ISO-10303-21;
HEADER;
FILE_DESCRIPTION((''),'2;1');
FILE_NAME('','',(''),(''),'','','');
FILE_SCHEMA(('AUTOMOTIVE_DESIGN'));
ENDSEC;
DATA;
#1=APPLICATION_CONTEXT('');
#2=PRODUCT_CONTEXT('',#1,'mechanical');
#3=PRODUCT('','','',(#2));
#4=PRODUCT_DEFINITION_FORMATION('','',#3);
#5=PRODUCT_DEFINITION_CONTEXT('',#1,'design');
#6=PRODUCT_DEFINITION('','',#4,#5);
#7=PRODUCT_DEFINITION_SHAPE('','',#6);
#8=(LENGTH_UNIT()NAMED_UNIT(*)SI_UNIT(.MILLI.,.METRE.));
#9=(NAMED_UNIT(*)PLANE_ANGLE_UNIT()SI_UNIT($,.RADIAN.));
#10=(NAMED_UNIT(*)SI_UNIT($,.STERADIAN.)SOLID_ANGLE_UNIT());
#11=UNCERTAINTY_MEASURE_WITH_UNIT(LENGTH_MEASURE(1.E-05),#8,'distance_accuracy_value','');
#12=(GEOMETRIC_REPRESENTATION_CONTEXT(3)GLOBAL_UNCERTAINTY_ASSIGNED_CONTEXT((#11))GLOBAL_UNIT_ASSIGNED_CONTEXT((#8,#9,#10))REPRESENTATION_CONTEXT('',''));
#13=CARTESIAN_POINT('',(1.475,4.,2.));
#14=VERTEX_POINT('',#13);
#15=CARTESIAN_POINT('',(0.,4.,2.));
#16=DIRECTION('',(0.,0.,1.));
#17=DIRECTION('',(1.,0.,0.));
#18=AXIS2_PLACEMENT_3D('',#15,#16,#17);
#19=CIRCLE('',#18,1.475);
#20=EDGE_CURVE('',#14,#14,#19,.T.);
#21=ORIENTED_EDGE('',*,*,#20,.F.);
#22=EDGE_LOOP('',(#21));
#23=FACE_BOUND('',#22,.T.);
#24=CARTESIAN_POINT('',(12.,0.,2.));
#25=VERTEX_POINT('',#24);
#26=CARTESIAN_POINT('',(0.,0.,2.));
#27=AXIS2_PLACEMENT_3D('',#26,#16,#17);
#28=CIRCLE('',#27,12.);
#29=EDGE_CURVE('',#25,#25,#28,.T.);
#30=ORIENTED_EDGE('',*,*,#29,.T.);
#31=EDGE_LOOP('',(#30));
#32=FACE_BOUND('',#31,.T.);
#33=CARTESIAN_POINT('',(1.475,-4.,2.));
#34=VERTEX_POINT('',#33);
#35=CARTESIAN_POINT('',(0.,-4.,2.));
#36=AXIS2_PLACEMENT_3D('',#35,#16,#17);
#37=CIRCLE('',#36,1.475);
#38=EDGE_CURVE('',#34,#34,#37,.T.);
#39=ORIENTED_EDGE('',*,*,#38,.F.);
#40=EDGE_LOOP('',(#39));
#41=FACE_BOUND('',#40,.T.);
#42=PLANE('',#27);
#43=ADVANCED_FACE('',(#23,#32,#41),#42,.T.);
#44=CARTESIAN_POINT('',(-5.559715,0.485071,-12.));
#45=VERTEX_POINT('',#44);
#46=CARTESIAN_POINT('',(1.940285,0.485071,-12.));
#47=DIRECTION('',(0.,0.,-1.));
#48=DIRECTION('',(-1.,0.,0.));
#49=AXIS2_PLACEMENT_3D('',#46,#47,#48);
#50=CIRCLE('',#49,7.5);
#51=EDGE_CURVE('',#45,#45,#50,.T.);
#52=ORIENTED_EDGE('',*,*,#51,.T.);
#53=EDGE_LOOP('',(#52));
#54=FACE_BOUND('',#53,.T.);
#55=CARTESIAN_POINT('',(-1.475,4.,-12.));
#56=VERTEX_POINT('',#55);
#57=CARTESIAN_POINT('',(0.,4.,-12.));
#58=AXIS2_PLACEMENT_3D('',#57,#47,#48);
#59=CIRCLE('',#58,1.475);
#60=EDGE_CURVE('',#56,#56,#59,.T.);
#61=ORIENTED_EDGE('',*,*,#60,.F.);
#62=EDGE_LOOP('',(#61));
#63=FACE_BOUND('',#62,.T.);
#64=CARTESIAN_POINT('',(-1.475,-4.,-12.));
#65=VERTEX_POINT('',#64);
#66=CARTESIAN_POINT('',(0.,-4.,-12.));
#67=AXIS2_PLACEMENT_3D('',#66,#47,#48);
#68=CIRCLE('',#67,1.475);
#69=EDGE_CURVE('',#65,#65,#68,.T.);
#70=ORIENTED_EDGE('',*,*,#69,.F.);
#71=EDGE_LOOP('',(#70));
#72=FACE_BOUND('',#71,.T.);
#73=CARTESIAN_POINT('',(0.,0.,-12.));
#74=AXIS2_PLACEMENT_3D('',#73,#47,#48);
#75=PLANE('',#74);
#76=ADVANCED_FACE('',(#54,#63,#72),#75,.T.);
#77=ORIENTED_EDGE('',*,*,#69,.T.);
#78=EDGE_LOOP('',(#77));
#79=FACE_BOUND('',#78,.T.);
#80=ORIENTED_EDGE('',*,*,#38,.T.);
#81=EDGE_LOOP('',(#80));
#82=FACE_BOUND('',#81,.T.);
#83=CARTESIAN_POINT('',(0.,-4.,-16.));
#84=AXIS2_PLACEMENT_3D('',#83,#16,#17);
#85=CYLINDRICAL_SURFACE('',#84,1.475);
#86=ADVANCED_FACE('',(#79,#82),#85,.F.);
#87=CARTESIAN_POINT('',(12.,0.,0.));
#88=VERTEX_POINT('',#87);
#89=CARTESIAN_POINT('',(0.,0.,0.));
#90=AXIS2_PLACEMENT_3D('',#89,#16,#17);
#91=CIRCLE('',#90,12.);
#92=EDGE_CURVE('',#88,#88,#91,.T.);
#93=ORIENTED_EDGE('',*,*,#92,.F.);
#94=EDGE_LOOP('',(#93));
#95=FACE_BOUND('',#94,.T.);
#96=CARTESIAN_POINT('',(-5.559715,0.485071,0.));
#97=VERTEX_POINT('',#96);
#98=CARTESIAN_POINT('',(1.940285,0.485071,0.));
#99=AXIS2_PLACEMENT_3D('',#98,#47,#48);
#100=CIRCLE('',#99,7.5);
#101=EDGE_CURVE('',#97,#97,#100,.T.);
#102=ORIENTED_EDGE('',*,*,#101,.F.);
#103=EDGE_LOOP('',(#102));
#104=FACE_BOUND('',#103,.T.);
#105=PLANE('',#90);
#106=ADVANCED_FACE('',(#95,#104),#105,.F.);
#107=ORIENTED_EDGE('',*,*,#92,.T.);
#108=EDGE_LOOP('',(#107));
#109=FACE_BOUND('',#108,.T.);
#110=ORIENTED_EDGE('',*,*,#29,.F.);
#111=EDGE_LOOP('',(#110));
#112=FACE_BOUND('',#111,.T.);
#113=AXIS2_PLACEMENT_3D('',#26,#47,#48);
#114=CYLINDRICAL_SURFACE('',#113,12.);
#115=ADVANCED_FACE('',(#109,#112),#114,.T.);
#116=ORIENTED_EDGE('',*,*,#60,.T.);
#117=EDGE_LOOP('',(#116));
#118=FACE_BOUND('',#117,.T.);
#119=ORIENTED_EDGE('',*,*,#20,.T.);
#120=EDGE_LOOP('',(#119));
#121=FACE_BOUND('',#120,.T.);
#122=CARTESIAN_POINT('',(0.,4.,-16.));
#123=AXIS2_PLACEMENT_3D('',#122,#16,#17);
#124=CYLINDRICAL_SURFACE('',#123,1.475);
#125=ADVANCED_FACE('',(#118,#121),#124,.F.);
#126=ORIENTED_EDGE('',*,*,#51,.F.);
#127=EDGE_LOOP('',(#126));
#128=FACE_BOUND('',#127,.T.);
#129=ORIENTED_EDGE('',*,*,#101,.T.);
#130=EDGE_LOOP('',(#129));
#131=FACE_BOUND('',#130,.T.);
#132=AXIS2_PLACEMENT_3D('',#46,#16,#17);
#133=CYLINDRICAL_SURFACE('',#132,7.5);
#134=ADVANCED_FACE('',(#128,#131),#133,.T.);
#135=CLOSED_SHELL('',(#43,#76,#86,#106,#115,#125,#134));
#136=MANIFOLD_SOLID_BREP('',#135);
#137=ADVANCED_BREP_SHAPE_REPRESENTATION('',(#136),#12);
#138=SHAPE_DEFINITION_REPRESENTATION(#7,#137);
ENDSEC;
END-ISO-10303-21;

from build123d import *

# Parameters (mm, degrees)
SKETCH1_R           = 12
BOSS_EXTRUDE2_DEPTH = 2
SKETCH2_R           = 7.5
BOSS_EXTRUDE3_DEPTH = 12
SKETCH3_R           = 1.35
CUT_EXTRUDE2_DEPTH  = 23
SKETCH4_R           = 1.475
CUT_EXTRUDE4_DEPTH  = 18


with BuildPart() as part:
    # Sketch1 → Boss-Extrude2 (new body)
    with BuildSketch(Plane.XY):
        Circle(SKETCH1_R)
    extrude(amount=BOSS_EXTRUDE2_DEPTH)

    # Sketch2 → Boss-Extrude3 (add)
    with BuildSketch(Plane(origin=(0, 0, 0), x_dir=(-1, 0, 0), z_dir=(0, 0, -1))):
        with Locations((-1.940285, 0.48507125)):
            Circle(SKETCH2_R)
    extrude(amount=BOSS_EXTRUDE3_DEPTH)

    # Sketch3 → Cut-Extrude2 (cut, through all)
    with BuildSketch(Plane.XY.offset(2)):
        with Locations((0, 4)):
            Circle(SKETCH3_R)
        with Locations((0, -4)):
            Circle(SKETCH3_R)
    extrude(amount=-CUT_EXTRUDE2_DEPTH, mode=Mode.SUBTRACT)

    # Sketch4 → Cut-Extrude4 (cut)
    with BuildSketch(Plane.XY.offset(2)):
        with Locations((0, 4)):
            Circle(SKETCH4_R)
        with Locations((0, -4)):
            Circle(SKETCH4_R)
    extrude(amount=-CUT_EXTRUDE4_DEPTH, mode=Mode.SUBTRACT)


solid = part.part
